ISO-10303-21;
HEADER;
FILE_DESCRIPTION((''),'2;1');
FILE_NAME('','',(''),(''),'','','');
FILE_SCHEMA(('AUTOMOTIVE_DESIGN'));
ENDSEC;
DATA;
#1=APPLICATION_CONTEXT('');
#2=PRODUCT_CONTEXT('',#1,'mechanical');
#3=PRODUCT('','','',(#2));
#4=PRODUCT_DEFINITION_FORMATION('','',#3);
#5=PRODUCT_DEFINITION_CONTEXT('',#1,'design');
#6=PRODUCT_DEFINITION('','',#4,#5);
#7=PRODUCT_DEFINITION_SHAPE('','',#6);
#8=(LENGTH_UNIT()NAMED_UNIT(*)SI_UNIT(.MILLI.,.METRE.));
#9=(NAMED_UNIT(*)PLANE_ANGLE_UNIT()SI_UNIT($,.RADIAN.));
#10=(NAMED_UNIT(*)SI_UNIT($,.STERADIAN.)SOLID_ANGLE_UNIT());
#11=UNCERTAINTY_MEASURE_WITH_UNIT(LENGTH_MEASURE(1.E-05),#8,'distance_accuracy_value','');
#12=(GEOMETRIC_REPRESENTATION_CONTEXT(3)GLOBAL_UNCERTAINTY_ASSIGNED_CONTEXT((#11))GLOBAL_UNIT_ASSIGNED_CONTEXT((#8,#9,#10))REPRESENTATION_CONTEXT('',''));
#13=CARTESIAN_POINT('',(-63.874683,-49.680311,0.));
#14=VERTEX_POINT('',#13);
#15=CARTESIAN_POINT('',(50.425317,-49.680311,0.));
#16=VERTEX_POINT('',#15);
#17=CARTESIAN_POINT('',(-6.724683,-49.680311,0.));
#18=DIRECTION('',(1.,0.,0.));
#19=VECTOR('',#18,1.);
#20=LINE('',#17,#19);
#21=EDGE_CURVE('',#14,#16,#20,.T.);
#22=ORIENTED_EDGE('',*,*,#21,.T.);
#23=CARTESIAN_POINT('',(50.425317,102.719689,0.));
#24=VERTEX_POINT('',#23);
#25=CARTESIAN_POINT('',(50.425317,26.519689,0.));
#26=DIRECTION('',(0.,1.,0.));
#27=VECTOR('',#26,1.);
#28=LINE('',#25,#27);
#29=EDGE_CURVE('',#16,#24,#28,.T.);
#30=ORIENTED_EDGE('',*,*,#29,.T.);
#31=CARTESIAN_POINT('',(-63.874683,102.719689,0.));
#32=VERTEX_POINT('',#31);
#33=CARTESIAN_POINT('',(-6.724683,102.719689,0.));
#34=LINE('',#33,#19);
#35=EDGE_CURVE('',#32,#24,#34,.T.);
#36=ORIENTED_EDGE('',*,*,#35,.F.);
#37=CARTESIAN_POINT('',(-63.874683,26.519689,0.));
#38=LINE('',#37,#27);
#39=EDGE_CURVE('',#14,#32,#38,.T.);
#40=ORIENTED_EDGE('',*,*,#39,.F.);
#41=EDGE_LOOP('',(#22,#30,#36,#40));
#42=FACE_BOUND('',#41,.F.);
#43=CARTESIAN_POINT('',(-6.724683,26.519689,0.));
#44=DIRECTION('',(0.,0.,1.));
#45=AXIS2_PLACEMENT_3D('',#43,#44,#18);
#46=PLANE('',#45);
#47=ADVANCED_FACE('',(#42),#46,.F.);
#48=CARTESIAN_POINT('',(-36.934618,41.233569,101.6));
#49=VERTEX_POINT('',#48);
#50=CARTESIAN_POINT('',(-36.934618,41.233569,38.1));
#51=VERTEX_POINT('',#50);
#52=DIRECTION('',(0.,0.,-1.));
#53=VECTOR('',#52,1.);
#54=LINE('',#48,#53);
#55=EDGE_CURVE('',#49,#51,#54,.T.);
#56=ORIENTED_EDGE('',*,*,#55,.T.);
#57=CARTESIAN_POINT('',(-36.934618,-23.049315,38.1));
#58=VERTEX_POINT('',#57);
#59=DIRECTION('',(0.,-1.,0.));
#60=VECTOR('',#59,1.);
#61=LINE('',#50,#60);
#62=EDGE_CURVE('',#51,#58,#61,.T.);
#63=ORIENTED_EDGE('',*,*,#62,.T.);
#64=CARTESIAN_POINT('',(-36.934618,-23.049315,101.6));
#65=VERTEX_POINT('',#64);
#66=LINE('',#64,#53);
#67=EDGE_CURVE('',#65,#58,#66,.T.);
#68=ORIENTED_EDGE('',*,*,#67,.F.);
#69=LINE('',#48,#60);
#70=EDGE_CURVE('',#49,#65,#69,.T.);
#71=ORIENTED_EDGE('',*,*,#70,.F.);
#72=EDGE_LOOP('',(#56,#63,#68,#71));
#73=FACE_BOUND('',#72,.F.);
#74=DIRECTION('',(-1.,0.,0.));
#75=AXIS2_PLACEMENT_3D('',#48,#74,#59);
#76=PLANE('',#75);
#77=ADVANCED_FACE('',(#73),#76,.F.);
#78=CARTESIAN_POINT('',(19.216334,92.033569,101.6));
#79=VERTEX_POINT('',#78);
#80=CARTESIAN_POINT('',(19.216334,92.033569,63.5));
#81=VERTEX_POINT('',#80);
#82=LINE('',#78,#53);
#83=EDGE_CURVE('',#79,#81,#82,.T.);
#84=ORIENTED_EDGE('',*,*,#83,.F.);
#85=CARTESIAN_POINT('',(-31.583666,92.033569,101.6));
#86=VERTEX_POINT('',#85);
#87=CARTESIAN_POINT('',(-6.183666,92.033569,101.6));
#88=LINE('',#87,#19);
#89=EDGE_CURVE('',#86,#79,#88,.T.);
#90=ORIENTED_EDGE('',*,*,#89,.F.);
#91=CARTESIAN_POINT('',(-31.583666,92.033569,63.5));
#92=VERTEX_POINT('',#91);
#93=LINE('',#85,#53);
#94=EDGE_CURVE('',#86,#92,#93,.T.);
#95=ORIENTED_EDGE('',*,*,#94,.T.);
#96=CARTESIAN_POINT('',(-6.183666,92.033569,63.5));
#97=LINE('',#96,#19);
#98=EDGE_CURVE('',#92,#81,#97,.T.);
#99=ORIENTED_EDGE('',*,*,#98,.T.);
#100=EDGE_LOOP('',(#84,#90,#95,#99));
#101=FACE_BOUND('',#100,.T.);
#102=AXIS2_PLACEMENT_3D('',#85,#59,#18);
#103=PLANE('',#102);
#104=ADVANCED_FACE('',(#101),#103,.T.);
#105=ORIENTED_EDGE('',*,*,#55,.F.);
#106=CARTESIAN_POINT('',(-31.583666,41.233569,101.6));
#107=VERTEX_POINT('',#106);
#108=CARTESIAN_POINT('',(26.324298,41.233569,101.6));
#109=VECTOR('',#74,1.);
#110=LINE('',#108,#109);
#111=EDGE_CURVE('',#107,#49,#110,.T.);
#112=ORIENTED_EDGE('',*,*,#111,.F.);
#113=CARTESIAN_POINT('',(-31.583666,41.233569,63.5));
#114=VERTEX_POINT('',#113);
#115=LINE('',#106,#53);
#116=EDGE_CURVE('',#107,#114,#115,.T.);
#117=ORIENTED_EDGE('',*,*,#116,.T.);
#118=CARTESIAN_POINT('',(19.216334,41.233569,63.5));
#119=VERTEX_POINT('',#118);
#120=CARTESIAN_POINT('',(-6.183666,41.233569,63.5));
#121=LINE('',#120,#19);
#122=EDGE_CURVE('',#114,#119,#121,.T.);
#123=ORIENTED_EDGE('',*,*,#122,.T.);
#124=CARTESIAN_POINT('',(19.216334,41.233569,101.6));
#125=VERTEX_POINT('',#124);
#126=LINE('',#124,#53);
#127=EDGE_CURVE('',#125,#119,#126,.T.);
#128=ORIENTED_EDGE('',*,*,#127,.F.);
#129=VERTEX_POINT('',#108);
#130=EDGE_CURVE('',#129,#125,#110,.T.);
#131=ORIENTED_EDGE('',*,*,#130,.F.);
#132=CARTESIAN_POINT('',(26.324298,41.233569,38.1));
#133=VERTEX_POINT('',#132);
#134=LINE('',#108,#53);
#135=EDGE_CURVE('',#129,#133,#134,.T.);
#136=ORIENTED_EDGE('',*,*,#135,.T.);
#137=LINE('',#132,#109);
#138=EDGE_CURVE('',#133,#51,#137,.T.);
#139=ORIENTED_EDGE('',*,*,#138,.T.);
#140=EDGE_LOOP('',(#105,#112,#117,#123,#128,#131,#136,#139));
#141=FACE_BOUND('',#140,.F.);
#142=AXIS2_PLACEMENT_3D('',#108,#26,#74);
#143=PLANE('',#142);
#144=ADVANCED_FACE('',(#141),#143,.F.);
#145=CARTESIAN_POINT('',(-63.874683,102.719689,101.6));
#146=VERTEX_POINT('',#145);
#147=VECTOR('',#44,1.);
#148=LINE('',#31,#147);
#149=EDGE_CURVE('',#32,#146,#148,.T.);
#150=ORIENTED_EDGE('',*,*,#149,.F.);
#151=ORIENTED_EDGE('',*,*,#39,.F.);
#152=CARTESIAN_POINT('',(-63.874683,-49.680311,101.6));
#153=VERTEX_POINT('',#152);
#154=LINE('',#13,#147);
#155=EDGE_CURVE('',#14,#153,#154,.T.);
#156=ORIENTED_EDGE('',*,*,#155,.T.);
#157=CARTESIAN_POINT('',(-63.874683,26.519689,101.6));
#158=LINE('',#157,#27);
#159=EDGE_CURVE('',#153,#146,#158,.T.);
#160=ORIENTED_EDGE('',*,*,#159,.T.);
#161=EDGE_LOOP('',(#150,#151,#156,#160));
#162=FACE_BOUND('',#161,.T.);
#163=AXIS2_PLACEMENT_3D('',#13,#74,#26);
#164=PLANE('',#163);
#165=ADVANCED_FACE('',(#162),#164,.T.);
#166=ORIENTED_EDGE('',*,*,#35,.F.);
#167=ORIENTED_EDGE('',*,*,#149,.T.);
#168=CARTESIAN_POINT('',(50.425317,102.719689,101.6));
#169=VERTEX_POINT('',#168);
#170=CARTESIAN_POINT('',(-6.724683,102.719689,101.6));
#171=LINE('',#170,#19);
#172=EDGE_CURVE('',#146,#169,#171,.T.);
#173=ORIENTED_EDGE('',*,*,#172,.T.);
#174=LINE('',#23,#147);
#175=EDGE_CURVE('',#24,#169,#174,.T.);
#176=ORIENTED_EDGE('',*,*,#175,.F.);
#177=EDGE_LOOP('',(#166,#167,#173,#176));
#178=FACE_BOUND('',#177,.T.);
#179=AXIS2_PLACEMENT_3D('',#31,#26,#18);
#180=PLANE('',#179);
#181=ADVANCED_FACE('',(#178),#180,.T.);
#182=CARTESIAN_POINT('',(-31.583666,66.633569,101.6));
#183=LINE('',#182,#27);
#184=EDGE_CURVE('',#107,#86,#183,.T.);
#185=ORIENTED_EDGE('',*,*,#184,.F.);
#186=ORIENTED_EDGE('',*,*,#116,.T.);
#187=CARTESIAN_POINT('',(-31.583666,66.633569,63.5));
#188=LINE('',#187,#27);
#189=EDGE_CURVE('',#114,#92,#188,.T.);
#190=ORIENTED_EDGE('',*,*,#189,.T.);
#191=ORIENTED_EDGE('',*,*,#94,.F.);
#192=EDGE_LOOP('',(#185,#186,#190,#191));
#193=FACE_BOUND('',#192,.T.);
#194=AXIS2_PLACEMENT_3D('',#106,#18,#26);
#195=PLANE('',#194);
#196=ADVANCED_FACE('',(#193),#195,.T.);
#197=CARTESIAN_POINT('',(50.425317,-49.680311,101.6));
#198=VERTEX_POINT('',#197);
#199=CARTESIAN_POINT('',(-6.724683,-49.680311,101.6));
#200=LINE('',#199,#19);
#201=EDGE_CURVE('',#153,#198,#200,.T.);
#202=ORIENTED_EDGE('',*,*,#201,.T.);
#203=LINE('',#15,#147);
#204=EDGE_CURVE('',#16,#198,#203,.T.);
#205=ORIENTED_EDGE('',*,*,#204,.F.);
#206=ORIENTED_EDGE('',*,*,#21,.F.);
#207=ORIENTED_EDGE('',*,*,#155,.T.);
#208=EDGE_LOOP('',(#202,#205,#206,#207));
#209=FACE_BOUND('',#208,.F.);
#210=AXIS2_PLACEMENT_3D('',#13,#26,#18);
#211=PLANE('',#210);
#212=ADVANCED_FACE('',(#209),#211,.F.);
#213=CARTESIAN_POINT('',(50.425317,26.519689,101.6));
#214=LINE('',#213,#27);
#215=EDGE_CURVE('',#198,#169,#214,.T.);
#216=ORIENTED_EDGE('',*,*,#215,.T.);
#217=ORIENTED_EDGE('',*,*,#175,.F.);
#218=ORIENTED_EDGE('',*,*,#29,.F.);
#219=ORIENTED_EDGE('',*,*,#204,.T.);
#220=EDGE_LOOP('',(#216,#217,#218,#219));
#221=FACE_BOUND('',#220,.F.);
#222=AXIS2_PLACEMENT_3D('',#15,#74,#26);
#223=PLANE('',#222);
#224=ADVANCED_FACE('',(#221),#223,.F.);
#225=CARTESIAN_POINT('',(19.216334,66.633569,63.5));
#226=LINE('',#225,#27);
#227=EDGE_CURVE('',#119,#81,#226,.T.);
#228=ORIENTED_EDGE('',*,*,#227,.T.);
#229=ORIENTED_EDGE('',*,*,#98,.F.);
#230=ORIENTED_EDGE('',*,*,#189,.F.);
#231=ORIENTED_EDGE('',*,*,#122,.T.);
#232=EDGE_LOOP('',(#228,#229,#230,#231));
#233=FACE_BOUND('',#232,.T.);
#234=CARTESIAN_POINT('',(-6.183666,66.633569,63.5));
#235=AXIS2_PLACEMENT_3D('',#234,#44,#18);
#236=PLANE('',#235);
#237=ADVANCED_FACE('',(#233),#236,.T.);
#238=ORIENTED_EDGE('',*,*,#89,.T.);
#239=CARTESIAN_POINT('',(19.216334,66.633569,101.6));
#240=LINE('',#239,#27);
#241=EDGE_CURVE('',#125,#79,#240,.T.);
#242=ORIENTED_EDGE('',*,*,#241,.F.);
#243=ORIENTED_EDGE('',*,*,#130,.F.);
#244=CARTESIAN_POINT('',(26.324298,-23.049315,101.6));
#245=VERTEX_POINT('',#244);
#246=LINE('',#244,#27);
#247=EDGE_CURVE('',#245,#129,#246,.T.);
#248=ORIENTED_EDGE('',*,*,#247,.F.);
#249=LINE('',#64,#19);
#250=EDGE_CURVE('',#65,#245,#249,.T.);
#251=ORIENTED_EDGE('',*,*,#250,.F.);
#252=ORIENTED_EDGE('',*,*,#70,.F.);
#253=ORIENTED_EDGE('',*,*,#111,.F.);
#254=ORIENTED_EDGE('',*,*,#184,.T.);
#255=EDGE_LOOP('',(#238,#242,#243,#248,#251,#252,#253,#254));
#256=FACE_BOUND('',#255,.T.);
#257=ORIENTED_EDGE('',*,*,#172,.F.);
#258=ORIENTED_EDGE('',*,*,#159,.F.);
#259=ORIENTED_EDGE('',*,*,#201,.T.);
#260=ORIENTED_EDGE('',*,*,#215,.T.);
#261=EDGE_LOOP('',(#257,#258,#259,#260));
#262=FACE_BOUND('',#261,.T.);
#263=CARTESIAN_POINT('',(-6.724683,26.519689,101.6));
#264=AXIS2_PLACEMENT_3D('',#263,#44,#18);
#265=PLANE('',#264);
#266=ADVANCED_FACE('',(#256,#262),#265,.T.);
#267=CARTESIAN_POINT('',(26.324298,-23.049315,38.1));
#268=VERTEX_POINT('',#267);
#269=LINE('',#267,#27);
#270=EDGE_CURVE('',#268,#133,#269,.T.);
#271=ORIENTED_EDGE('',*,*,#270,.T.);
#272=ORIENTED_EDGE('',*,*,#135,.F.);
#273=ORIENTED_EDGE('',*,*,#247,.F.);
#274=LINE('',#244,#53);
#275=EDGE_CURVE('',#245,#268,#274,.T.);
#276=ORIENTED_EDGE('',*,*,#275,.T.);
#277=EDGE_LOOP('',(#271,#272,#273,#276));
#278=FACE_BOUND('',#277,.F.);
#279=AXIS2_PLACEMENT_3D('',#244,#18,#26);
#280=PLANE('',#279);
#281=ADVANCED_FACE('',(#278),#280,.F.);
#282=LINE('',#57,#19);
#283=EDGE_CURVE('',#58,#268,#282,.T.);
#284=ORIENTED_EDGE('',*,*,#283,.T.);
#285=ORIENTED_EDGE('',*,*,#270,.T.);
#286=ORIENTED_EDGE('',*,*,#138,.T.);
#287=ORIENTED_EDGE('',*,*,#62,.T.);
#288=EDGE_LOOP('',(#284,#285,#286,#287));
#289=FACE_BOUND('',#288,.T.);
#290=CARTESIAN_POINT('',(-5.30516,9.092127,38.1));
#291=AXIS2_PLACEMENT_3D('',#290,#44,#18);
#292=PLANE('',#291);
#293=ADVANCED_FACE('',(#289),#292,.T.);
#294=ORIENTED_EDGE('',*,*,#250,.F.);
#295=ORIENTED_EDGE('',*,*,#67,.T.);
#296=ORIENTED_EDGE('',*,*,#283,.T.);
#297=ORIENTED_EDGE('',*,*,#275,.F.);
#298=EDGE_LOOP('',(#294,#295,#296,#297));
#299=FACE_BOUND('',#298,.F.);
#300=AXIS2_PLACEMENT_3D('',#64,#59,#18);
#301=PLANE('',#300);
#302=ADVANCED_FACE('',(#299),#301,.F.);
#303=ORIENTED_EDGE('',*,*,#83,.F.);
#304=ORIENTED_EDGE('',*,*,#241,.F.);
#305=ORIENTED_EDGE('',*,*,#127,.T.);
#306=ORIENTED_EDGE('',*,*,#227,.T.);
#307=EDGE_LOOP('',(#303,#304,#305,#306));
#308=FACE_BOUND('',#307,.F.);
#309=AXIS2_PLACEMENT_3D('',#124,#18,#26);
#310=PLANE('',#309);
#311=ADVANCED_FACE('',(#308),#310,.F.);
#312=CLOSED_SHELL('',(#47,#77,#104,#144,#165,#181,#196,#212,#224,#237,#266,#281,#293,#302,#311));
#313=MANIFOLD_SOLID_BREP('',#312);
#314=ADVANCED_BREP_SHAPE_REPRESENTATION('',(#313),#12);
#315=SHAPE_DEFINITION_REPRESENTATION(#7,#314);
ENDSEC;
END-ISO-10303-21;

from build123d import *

# Parameters (mm, degrees)
F0_W     = 114.3
F0_H     = 152.4
F1_DEPTH = 101.6
F2_W     = 50.8
F2_H     = 50.8
F3_DEPTH = 38.1
F5_DEPTH = 63.5


with BuildPart() as f1:
    # F0 (on Top) → F1 (new body)
    with BuildSketch(Plane.XY):
        with Locations((-6.724683, 26.519689)):
            Rectangle(F0_W, F0_H)
    extrude(amount=F1_DEPTH)

    # F2 (on face) → F3 (cut)
    with BuildSketch(Plane.XY.offset(101.6)):
        with Locations((-6.183666, 66.633569)):
            Rectangle(F2_W, F2_H)
    extrude(amount=-F3_DEPTH, mode=Mode.SUBTRACT)

    # F4 (on face) → F5 (cut)
    with BuildSketch(Plane.XY.offset(101.6)):
        Polygon((19.216334, 41.233569), (-31.583666, 41.233569), (-36.934618, 41.233569), (-36.934618, -23.049315), (26.324298, -23.049315), (26.324298, 41.233569), align=None)
    extrude(amount=-F5_DEPTH, mode=Mode.SUBTRACT)


solid = f1.part
